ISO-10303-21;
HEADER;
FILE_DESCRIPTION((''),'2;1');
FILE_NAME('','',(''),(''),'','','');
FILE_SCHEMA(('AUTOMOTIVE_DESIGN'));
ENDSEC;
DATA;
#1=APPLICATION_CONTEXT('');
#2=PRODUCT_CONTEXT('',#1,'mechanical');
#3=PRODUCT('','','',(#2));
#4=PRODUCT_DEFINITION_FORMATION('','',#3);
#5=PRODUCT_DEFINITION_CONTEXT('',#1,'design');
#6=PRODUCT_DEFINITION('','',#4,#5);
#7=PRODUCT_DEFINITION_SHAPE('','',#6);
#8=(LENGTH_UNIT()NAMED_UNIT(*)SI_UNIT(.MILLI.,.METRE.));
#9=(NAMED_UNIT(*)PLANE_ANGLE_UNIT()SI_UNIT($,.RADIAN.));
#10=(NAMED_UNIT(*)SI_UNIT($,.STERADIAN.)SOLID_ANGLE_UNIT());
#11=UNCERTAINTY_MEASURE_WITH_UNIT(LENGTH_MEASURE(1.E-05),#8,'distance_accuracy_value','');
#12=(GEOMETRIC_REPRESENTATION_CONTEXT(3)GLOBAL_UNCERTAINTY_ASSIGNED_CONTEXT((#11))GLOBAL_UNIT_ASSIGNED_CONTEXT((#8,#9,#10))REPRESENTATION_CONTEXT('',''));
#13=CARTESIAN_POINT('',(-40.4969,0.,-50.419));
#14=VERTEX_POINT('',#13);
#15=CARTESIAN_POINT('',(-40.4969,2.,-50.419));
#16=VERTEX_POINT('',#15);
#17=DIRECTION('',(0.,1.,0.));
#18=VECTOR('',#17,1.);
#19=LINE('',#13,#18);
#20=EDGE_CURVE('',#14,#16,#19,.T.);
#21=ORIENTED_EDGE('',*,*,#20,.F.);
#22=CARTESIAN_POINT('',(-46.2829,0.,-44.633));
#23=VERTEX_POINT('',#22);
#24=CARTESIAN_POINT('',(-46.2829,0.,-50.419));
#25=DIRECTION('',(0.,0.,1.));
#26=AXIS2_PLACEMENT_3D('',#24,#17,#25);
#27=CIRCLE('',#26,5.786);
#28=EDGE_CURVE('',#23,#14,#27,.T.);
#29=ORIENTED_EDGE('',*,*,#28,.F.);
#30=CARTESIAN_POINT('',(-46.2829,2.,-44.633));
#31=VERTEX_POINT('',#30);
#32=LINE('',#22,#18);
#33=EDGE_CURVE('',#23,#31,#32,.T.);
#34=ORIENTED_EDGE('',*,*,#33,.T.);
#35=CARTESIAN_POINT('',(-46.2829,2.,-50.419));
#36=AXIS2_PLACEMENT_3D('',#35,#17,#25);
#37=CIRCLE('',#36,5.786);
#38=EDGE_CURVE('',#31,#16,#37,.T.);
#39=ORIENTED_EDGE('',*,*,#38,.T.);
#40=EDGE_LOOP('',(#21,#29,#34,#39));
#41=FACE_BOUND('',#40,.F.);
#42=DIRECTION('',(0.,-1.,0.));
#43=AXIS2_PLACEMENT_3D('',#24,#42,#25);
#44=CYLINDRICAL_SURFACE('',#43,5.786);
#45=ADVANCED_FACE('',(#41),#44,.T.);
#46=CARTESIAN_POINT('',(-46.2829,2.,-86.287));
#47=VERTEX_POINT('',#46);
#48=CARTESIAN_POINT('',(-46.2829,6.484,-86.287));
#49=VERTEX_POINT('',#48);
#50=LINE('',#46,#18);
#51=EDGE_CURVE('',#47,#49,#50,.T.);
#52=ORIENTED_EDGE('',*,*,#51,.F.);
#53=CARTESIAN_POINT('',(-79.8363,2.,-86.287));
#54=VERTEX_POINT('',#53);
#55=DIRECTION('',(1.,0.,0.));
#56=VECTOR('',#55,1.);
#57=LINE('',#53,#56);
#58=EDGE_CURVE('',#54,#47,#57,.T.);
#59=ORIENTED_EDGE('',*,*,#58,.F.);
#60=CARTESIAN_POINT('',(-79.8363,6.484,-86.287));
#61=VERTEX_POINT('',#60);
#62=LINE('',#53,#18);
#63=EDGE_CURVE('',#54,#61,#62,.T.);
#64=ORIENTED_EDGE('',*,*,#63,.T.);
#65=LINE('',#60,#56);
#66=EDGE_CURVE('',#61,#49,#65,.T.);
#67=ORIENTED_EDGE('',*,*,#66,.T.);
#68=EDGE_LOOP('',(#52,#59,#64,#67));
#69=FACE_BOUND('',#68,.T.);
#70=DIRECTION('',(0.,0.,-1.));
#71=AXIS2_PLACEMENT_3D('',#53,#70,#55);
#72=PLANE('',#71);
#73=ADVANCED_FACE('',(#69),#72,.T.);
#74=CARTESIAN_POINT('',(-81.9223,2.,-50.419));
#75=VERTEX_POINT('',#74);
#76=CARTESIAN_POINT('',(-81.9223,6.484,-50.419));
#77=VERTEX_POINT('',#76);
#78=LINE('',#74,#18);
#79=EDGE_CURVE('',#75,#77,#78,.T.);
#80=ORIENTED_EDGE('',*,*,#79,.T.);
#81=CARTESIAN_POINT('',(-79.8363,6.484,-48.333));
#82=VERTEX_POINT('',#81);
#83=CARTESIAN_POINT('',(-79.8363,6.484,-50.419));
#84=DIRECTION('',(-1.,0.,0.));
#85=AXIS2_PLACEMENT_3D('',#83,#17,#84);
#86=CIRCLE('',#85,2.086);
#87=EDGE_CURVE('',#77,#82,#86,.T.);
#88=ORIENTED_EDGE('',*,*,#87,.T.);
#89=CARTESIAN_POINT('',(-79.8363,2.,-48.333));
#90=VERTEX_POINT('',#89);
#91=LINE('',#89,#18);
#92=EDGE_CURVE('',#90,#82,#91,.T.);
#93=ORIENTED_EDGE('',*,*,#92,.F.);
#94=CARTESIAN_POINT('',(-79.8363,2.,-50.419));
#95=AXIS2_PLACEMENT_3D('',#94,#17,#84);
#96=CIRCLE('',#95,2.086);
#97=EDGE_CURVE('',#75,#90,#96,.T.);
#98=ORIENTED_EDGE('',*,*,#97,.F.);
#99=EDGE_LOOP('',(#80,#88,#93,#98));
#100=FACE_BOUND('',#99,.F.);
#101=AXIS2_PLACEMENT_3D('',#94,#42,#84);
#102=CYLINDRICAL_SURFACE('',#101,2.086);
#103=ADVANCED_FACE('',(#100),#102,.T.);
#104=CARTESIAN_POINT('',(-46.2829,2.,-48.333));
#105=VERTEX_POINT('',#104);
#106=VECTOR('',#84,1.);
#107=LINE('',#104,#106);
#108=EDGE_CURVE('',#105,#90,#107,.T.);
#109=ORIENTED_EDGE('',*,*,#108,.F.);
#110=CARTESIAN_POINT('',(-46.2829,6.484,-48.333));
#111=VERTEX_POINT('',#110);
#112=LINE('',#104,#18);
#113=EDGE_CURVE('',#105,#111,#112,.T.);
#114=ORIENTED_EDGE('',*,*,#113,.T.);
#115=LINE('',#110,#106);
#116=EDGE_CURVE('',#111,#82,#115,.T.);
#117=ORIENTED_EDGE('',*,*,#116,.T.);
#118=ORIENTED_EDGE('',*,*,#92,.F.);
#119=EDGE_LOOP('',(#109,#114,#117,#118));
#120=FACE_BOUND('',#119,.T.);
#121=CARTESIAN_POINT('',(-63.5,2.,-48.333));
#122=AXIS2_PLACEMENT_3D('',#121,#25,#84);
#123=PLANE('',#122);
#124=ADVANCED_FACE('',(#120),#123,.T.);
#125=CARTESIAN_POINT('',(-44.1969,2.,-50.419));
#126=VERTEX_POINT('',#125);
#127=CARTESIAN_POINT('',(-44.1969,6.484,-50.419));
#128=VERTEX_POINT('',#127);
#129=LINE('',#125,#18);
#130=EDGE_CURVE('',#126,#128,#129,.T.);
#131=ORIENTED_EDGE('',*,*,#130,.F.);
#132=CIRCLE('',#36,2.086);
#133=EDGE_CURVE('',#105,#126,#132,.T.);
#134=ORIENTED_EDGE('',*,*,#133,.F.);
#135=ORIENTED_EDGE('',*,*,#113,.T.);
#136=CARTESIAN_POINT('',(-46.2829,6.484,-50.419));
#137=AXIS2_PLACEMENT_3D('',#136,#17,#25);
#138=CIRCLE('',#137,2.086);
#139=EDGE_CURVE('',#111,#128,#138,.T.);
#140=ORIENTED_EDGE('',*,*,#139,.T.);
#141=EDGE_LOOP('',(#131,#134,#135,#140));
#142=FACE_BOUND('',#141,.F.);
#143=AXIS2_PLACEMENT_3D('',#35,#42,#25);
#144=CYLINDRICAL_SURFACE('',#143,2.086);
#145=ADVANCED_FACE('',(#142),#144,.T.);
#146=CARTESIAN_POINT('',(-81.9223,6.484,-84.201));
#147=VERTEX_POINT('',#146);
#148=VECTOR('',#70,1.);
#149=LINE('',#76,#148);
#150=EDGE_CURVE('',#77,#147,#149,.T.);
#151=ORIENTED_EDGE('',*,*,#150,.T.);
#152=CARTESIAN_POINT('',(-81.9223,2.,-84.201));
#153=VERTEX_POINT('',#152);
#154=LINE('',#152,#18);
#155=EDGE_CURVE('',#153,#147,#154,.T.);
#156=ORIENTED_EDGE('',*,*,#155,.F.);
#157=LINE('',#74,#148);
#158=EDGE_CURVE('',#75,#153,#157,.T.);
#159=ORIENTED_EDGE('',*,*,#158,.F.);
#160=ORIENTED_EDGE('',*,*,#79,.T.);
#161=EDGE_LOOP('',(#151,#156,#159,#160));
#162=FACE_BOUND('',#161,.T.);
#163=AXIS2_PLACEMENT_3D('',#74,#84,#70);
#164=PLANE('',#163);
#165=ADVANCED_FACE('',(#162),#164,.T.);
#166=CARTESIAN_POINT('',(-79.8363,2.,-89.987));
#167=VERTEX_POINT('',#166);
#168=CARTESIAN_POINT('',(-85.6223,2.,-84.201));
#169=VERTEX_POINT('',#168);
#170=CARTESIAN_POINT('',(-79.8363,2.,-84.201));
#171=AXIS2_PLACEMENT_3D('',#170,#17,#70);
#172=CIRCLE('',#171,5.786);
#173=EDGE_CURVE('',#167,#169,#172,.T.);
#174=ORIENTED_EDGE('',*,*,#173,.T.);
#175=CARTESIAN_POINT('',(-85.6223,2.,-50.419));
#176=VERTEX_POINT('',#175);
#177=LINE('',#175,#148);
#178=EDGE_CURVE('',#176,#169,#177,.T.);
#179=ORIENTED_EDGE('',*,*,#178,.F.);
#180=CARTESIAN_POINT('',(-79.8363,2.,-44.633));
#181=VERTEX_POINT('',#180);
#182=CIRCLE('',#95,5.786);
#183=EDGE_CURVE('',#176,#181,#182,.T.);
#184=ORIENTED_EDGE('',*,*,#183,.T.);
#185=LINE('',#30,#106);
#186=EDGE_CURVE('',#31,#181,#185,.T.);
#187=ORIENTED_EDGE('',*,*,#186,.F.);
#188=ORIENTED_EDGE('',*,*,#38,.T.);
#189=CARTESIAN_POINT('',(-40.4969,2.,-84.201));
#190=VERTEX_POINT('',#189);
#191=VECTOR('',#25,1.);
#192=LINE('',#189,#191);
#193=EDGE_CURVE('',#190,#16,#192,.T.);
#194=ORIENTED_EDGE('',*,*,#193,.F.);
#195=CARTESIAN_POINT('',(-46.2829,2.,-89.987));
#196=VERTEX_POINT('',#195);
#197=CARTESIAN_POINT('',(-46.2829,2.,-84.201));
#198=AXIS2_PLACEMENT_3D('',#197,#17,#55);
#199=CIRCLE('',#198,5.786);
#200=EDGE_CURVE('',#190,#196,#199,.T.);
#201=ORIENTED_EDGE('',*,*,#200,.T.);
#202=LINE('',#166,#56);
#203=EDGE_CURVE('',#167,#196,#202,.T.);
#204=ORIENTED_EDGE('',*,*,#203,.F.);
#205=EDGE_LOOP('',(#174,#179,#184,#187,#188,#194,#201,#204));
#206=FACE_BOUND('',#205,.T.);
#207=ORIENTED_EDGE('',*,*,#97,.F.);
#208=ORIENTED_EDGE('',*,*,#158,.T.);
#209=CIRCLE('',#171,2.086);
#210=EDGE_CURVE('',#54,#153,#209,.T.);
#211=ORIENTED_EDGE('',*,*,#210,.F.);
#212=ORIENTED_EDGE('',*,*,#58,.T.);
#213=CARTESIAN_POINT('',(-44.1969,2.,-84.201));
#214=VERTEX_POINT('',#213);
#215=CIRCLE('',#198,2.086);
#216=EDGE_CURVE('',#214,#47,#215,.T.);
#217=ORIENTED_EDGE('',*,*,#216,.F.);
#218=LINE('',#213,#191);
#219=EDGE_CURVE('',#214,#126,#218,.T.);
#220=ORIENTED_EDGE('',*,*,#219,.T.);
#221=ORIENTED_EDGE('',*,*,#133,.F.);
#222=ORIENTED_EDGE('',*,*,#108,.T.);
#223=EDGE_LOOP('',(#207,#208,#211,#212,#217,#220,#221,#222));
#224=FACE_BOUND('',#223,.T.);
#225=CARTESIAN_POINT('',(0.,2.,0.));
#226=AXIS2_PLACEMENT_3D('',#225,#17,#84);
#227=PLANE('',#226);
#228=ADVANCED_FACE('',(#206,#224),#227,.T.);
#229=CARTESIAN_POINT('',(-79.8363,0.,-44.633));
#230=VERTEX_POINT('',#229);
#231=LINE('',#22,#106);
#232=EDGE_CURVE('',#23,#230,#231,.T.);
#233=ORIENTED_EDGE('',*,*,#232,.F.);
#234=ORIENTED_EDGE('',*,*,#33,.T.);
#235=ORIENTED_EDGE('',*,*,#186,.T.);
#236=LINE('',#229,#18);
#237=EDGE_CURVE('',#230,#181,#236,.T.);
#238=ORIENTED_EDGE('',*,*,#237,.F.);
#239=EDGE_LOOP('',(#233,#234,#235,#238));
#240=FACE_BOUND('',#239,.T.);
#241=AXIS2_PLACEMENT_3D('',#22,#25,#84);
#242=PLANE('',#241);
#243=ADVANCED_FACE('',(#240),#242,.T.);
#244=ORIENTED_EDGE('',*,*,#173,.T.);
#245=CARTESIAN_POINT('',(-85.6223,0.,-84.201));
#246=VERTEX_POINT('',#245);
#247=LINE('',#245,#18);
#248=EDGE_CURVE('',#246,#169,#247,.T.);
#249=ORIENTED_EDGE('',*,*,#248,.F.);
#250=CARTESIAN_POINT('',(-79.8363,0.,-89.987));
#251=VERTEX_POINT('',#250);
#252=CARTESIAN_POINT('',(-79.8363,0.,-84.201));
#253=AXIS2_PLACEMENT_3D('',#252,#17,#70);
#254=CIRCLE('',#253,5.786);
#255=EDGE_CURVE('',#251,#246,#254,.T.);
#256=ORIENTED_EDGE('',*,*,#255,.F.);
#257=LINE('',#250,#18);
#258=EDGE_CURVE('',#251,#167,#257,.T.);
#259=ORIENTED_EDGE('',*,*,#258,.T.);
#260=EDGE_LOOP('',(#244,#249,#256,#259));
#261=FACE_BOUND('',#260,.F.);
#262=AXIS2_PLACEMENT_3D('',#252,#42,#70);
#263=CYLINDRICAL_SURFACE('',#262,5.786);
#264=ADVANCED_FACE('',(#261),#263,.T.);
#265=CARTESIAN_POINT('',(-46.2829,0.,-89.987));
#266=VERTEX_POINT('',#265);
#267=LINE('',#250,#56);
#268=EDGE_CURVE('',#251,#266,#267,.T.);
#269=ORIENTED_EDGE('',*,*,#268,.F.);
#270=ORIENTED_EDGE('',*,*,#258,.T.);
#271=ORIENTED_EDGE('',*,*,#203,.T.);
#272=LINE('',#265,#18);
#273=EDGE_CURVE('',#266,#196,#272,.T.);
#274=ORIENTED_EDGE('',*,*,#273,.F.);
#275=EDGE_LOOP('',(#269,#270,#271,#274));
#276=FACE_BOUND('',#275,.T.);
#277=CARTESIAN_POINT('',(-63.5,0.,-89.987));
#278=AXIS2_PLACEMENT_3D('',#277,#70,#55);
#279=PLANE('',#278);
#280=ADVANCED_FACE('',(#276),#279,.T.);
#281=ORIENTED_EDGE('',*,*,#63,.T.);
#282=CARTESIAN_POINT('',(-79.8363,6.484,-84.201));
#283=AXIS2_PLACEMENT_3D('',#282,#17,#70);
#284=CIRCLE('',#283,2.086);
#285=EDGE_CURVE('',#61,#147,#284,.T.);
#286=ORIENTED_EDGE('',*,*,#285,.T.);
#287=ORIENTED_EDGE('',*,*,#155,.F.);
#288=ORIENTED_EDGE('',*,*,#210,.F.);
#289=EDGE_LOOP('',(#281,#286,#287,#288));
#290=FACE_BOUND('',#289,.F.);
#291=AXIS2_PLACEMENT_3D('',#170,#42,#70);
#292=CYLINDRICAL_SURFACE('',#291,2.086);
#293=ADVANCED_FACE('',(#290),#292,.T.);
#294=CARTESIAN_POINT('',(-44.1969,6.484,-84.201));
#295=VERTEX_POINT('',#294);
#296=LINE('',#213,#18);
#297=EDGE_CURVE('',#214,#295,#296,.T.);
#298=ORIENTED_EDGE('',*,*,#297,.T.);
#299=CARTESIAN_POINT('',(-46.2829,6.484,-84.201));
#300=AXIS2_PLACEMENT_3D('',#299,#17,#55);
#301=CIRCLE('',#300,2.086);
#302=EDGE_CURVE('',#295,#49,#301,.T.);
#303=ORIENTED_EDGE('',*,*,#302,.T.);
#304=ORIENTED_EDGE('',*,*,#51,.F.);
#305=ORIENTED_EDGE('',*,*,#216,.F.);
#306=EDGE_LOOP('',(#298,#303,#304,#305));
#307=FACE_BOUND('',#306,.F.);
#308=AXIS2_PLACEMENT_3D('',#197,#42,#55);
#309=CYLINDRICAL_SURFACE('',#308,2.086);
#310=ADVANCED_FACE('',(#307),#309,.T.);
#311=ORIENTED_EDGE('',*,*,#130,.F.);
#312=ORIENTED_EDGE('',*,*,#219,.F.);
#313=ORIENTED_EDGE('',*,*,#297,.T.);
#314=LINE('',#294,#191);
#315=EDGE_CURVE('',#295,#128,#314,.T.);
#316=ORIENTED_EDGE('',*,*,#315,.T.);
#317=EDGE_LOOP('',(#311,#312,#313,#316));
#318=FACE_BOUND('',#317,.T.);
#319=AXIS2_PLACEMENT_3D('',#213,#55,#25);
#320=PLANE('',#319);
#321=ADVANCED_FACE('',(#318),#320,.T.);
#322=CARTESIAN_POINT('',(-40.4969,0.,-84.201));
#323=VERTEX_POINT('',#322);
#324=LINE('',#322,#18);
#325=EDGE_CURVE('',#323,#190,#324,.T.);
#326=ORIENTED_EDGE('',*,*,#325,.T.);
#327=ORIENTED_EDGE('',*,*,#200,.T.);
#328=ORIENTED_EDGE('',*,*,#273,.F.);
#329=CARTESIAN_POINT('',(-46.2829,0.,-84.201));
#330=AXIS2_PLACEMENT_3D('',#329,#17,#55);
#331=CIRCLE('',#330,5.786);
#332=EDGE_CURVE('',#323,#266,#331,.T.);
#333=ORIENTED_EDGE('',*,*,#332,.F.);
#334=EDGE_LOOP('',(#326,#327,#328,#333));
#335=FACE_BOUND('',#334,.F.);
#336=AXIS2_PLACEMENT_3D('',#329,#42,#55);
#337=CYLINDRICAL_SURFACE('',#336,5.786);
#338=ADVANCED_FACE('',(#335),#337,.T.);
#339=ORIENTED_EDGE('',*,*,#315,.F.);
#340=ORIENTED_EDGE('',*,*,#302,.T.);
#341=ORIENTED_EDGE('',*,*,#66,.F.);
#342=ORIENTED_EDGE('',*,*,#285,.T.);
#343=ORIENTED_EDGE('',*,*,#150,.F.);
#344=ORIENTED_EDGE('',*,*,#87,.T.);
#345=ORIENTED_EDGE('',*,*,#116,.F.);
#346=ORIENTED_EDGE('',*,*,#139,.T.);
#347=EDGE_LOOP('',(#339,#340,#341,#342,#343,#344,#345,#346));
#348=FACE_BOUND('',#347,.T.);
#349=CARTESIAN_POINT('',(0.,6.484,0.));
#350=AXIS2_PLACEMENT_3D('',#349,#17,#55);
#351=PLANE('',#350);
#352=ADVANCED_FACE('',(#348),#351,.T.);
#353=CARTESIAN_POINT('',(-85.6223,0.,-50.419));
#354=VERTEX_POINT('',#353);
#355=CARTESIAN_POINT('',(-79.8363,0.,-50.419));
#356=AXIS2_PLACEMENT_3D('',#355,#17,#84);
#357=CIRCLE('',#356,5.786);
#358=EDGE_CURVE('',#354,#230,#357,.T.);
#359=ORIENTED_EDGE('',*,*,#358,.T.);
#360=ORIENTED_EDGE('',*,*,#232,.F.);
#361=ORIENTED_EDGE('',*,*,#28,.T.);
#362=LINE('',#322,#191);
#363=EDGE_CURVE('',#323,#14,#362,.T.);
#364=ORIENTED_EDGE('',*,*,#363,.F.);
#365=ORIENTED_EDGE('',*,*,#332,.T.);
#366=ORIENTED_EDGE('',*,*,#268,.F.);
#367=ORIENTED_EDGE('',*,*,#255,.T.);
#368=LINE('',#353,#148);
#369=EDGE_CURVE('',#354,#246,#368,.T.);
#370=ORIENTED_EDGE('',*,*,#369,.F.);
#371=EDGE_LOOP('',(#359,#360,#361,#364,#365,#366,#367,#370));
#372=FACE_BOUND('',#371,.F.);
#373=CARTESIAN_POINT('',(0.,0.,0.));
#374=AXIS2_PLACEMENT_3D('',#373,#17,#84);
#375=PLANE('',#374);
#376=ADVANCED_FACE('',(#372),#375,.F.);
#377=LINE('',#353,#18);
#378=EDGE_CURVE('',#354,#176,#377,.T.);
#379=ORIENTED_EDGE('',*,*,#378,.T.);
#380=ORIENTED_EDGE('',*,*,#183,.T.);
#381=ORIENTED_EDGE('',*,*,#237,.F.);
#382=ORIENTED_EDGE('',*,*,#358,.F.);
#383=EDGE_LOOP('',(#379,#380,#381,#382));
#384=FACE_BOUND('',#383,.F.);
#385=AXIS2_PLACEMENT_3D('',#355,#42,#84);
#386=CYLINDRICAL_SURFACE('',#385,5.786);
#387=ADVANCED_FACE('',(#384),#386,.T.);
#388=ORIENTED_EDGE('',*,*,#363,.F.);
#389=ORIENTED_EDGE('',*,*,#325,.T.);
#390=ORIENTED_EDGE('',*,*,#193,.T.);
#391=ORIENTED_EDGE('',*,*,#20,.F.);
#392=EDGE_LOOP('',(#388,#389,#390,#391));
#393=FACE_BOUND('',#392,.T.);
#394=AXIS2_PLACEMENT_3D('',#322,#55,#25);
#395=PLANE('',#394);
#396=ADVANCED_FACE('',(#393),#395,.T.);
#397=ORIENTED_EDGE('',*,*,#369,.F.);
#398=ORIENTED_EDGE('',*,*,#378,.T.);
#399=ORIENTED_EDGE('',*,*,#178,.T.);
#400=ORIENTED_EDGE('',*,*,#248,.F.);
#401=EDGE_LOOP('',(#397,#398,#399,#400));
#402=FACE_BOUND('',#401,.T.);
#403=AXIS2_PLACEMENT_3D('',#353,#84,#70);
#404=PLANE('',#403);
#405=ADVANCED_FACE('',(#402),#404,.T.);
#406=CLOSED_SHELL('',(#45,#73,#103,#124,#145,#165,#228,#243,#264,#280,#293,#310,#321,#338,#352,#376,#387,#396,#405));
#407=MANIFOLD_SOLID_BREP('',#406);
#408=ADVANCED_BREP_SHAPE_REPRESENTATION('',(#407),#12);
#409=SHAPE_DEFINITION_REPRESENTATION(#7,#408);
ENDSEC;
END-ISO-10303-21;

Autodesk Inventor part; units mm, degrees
ref_plane "YZ Plane" through (0, 0, 0) normal (1, 0, 0) x (0, 1, 0)
ref_plane "XZ Plane" through (0, 0, 0) normal (0, 1, 0) x (-1, 0, 0)
ref_plane "XY Plane" through (0, 0, 0) normal (0, 0, 1) x (1, 0, 0)
sketch "Sketch1" plane through (0, 0, 0) normal (0, 1, 0) x (-1, 0, 0)
  line L0 (63.5, -48.133) -> (79.8363, -48.133)
  line L1 (46.2829, -48.133) -> (63.5, -48.133)
  line L2 (43.9969, -84.201) -> (43.9969, -50.419)
  line L3 (63.5, -86.487) -> (46.2829, -86.487)
  line L4 (79.8363, -86.487) -> (63.5, -86.487)
  line L5 (82.1223, -50.419) -> (82.1223, -84.201)
  arc A0 (79.8363, -86.487) -> (82.1223, -84.201) centre (79.8363, -84.201) ccw
  arc A1 (82.1223, -50.419) -> (79.8363, -48.133) centre (79.8363, -50.419) ccw
  arc A2 (46.2829, -48.133) -> (43.9969, -50.419) centre (46.2829, -50.419) ccw
  arc A3 (43.9969, -84.201) -> (46.2829, -86.487) centre (46.2829, -84.201) ccw
  line L6 (63.5, -89.987) -> (46.2829, -89.987)
  arc A4 (40.4969, -84.201) -> (46.2829, -89.987) centre (46.2829, -84.201) ccw
  line L7 (40.4969, -84.201) -> (40.4969, -50.419)
  arc A5 (46.2829, -44.633) -> (40.4969, -50.419) centre (46.2829, -50.419) ccw
  line L8 (46.2829, -44.633) -> (63.5, -44.633)
  line L9 (63.5, -44.633) -> (79.8363, -44.633)
  arc A6 (85.6223, -50.419) -> (79.8363, -44.633) centre (79.8363, -50.419) ccw
  line L10 (85.6223, -50.419) -> (85.6223, -84.201)
  arc A7 (79.8363, -89.987) -> (85.6223, -84.201) centre (79.8363, -84.201) ccw
  line L11 (79.8363, -89.987) -> (63.5, -89.987)
  dimension "d4" = 3.5
extrude "Extrusion1" add sketch "Sketch1" along normal blind 2 contours L0 A1 L5 A0 L4 L3 A3 L2 A2 L1 | L6 A4 L7 A5 L8 L9 A6 L10 A7 L11
sketch "Sketch3" plane through (0, 2, 0) normal (0, 1, 0) x (1, 0, 0)
  line L0 (-82.1223, 50.419) -> (-82.1223, 84.201) projected
  arc A0 (-82.1223, 50.419) -> (-79.8363, 48.133) centre (-79.8363, 50.419) ccw projected
  line L1 (-63.5, 48.133) -> (-79.8363, 48.133) projected
  line L2 (-46.2829, 48.133) -> (-63.5, 48.133) projected
  arc A1 (-46.2829, 48.133) -> (-43.9969, 50.419) centre (-46.2829, 50.419) ccw projected
  line L3 (-43.9969, 84.201) -> (-43.9969, 50.419) projected
  arc A2 (-43.9969, 84.201) -> (-46.2829, 86.487) centre (-46.2829, 84.201) ccw projected
  line L4 (-63.5, 86.487) -> (-46.2829, 86.487) projected
  line L5 (-79.8363, 86.487) -> (-63.5, 86.487) projected
  arc A3 (-79.8363, 86.487) -> (-82.1223, 84.201) centre (-79.8363, 84.201) ccw projected
  line L6 (-63.5, 86.287) -> (-46.2829, 86.287)
  arc A4 (-44.1969, 84.201) -> (-46.2829, 86.287) centre (-46.2829, 84.201) ccw
  line L7 (-44.1969, 84.201) -> (-44.1969, 50.419)
  arc A5 (-46.2829, 48.333) -> (-44.1969, 50.419) centre (-46.2829, 50.419) ccw
  line L8 (-46.2829, 48.333) -> (-63.5, 48.333)
  line L9 (-63.5, 48.333) -> (-79.8363, 48.333)
  arc A6 (-81.9223, 50.419) -> (-79.8363, 48.333) centre (-79.8363, 50.419) ccw
  line L10 (-81.9223, 50.419) -> (-81.9223, 84.201)
  arc A7 (-79.8363, 86.287) -> (-81.9223, 84.201) centre (-79.8363, 84.201) ccw
  line L11 (-79.8363, 86.287) -> (-63.5, 86.287)
  dimension "d7" = 0.2
extrude "Extrusion3" add sketch "Sketch3" along normal blind 4.484 contours L6 A4 L7 A5 L8 L9 A6 L10 A7 L11
properties part number "Plug"
